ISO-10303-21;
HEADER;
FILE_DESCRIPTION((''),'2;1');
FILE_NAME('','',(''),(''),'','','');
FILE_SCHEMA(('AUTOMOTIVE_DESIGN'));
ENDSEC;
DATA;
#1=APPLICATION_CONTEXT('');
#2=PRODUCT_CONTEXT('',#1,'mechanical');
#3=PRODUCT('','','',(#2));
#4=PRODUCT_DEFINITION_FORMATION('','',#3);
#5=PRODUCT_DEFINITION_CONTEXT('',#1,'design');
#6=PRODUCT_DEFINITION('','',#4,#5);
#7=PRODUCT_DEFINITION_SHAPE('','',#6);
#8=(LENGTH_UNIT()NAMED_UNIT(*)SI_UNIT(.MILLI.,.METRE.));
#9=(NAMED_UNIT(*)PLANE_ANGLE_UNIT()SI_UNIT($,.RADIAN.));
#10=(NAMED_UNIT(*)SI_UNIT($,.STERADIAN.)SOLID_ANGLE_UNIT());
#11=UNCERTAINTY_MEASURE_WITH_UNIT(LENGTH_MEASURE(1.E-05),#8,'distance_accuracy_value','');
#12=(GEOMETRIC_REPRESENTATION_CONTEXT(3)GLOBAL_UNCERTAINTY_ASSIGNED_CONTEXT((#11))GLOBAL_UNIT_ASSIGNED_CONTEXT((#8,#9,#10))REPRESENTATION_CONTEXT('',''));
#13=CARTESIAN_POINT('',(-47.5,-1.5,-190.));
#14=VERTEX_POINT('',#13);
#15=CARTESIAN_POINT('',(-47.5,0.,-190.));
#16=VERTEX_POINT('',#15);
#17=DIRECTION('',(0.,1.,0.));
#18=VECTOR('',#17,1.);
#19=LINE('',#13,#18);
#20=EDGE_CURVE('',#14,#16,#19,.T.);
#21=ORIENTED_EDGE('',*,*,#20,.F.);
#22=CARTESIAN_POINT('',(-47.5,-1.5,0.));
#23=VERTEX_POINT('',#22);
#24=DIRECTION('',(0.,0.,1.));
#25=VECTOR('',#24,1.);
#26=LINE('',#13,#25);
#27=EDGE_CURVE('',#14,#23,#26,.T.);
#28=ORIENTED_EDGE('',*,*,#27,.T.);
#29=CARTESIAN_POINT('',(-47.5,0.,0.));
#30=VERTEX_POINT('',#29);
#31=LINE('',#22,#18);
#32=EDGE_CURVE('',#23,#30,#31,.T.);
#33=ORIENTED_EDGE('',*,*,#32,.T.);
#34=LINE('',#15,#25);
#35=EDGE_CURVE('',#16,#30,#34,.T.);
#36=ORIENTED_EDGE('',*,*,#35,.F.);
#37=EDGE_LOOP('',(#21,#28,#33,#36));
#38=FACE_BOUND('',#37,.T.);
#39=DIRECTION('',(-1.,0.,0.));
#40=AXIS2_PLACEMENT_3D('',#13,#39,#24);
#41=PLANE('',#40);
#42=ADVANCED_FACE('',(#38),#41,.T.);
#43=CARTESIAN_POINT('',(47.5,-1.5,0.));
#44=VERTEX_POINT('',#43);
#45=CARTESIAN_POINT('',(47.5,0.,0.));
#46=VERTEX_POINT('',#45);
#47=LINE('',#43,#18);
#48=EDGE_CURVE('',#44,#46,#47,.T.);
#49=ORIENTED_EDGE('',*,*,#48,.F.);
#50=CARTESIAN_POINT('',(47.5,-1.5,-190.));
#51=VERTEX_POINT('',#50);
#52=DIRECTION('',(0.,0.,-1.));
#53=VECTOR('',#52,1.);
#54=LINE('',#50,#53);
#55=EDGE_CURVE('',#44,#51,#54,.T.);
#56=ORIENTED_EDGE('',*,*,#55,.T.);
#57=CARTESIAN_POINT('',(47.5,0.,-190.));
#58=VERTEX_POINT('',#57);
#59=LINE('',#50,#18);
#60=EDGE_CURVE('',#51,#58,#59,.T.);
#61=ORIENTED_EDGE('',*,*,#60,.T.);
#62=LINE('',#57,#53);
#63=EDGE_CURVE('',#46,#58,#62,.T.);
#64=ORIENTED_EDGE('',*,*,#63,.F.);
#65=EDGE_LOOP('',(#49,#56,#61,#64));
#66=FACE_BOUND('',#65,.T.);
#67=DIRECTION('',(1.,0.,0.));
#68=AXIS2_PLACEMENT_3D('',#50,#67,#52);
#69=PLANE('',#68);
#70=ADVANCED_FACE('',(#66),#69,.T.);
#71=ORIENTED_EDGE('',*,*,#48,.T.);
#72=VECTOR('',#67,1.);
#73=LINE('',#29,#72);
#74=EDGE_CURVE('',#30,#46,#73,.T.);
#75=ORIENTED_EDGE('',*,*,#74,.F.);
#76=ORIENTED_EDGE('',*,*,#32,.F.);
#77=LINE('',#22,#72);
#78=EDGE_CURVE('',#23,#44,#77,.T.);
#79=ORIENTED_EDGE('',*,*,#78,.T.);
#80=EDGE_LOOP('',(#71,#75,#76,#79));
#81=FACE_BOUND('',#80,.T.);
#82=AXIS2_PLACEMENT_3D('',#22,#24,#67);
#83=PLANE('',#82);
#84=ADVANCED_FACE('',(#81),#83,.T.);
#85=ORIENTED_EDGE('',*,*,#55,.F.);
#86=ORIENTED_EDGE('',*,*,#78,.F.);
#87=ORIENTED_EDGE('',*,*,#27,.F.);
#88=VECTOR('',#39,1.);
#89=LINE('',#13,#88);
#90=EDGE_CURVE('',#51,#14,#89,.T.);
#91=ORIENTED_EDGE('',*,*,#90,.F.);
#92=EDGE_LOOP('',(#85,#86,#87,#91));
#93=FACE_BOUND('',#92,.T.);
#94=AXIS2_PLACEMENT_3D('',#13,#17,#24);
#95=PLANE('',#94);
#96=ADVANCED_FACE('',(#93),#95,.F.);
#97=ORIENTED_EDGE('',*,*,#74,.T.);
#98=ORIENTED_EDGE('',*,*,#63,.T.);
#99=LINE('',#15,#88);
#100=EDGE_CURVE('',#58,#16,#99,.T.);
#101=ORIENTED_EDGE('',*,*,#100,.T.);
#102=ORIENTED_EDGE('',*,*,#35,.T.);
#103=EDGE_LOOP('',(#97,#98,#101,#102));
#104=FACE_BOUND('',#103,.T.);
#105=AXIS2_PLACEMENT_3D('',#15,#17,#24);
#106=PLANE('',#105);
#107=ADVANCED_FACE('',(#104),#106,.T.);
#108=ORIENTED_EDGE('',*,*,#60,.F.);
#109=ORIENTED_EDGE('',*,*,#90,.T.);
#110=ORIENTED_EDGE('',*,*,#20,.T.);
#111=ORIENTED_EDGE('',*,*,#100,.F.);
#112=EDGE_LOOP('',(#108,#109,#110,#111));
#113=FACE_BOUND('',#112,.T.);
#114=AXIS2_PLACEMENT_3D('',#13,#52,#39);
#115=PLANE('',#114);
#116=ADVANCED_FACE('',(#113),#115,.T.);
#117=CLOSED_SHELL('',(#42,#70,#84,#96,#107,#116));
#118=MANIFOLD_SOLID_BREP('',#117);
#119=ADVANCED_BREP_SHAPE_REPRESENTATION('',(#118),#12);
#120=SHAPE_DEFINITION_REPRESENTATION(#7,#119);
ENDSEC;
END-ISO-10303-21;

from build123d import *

# Parameters (mm, degrees)
SKETCH1_W          = 95
SKETCH1_H          = 190
BASE_EXTRUDE_DEPTH = 1.5


with BuildPart() as part:
    # Sketch1 → Base-Extrude (new body)
    with BuildSketch(Plane(origin=(0, 0, 0), x_dir=(1, 0, 0), z_dir=(0, 1, 0))):
        with Locations((0, 95)):
            Rectangle(SKETCH1_W, SKETCH1_H)
    extrude(amount=-BASE_EXTRUDE_DEPTH)


solid = part.part
